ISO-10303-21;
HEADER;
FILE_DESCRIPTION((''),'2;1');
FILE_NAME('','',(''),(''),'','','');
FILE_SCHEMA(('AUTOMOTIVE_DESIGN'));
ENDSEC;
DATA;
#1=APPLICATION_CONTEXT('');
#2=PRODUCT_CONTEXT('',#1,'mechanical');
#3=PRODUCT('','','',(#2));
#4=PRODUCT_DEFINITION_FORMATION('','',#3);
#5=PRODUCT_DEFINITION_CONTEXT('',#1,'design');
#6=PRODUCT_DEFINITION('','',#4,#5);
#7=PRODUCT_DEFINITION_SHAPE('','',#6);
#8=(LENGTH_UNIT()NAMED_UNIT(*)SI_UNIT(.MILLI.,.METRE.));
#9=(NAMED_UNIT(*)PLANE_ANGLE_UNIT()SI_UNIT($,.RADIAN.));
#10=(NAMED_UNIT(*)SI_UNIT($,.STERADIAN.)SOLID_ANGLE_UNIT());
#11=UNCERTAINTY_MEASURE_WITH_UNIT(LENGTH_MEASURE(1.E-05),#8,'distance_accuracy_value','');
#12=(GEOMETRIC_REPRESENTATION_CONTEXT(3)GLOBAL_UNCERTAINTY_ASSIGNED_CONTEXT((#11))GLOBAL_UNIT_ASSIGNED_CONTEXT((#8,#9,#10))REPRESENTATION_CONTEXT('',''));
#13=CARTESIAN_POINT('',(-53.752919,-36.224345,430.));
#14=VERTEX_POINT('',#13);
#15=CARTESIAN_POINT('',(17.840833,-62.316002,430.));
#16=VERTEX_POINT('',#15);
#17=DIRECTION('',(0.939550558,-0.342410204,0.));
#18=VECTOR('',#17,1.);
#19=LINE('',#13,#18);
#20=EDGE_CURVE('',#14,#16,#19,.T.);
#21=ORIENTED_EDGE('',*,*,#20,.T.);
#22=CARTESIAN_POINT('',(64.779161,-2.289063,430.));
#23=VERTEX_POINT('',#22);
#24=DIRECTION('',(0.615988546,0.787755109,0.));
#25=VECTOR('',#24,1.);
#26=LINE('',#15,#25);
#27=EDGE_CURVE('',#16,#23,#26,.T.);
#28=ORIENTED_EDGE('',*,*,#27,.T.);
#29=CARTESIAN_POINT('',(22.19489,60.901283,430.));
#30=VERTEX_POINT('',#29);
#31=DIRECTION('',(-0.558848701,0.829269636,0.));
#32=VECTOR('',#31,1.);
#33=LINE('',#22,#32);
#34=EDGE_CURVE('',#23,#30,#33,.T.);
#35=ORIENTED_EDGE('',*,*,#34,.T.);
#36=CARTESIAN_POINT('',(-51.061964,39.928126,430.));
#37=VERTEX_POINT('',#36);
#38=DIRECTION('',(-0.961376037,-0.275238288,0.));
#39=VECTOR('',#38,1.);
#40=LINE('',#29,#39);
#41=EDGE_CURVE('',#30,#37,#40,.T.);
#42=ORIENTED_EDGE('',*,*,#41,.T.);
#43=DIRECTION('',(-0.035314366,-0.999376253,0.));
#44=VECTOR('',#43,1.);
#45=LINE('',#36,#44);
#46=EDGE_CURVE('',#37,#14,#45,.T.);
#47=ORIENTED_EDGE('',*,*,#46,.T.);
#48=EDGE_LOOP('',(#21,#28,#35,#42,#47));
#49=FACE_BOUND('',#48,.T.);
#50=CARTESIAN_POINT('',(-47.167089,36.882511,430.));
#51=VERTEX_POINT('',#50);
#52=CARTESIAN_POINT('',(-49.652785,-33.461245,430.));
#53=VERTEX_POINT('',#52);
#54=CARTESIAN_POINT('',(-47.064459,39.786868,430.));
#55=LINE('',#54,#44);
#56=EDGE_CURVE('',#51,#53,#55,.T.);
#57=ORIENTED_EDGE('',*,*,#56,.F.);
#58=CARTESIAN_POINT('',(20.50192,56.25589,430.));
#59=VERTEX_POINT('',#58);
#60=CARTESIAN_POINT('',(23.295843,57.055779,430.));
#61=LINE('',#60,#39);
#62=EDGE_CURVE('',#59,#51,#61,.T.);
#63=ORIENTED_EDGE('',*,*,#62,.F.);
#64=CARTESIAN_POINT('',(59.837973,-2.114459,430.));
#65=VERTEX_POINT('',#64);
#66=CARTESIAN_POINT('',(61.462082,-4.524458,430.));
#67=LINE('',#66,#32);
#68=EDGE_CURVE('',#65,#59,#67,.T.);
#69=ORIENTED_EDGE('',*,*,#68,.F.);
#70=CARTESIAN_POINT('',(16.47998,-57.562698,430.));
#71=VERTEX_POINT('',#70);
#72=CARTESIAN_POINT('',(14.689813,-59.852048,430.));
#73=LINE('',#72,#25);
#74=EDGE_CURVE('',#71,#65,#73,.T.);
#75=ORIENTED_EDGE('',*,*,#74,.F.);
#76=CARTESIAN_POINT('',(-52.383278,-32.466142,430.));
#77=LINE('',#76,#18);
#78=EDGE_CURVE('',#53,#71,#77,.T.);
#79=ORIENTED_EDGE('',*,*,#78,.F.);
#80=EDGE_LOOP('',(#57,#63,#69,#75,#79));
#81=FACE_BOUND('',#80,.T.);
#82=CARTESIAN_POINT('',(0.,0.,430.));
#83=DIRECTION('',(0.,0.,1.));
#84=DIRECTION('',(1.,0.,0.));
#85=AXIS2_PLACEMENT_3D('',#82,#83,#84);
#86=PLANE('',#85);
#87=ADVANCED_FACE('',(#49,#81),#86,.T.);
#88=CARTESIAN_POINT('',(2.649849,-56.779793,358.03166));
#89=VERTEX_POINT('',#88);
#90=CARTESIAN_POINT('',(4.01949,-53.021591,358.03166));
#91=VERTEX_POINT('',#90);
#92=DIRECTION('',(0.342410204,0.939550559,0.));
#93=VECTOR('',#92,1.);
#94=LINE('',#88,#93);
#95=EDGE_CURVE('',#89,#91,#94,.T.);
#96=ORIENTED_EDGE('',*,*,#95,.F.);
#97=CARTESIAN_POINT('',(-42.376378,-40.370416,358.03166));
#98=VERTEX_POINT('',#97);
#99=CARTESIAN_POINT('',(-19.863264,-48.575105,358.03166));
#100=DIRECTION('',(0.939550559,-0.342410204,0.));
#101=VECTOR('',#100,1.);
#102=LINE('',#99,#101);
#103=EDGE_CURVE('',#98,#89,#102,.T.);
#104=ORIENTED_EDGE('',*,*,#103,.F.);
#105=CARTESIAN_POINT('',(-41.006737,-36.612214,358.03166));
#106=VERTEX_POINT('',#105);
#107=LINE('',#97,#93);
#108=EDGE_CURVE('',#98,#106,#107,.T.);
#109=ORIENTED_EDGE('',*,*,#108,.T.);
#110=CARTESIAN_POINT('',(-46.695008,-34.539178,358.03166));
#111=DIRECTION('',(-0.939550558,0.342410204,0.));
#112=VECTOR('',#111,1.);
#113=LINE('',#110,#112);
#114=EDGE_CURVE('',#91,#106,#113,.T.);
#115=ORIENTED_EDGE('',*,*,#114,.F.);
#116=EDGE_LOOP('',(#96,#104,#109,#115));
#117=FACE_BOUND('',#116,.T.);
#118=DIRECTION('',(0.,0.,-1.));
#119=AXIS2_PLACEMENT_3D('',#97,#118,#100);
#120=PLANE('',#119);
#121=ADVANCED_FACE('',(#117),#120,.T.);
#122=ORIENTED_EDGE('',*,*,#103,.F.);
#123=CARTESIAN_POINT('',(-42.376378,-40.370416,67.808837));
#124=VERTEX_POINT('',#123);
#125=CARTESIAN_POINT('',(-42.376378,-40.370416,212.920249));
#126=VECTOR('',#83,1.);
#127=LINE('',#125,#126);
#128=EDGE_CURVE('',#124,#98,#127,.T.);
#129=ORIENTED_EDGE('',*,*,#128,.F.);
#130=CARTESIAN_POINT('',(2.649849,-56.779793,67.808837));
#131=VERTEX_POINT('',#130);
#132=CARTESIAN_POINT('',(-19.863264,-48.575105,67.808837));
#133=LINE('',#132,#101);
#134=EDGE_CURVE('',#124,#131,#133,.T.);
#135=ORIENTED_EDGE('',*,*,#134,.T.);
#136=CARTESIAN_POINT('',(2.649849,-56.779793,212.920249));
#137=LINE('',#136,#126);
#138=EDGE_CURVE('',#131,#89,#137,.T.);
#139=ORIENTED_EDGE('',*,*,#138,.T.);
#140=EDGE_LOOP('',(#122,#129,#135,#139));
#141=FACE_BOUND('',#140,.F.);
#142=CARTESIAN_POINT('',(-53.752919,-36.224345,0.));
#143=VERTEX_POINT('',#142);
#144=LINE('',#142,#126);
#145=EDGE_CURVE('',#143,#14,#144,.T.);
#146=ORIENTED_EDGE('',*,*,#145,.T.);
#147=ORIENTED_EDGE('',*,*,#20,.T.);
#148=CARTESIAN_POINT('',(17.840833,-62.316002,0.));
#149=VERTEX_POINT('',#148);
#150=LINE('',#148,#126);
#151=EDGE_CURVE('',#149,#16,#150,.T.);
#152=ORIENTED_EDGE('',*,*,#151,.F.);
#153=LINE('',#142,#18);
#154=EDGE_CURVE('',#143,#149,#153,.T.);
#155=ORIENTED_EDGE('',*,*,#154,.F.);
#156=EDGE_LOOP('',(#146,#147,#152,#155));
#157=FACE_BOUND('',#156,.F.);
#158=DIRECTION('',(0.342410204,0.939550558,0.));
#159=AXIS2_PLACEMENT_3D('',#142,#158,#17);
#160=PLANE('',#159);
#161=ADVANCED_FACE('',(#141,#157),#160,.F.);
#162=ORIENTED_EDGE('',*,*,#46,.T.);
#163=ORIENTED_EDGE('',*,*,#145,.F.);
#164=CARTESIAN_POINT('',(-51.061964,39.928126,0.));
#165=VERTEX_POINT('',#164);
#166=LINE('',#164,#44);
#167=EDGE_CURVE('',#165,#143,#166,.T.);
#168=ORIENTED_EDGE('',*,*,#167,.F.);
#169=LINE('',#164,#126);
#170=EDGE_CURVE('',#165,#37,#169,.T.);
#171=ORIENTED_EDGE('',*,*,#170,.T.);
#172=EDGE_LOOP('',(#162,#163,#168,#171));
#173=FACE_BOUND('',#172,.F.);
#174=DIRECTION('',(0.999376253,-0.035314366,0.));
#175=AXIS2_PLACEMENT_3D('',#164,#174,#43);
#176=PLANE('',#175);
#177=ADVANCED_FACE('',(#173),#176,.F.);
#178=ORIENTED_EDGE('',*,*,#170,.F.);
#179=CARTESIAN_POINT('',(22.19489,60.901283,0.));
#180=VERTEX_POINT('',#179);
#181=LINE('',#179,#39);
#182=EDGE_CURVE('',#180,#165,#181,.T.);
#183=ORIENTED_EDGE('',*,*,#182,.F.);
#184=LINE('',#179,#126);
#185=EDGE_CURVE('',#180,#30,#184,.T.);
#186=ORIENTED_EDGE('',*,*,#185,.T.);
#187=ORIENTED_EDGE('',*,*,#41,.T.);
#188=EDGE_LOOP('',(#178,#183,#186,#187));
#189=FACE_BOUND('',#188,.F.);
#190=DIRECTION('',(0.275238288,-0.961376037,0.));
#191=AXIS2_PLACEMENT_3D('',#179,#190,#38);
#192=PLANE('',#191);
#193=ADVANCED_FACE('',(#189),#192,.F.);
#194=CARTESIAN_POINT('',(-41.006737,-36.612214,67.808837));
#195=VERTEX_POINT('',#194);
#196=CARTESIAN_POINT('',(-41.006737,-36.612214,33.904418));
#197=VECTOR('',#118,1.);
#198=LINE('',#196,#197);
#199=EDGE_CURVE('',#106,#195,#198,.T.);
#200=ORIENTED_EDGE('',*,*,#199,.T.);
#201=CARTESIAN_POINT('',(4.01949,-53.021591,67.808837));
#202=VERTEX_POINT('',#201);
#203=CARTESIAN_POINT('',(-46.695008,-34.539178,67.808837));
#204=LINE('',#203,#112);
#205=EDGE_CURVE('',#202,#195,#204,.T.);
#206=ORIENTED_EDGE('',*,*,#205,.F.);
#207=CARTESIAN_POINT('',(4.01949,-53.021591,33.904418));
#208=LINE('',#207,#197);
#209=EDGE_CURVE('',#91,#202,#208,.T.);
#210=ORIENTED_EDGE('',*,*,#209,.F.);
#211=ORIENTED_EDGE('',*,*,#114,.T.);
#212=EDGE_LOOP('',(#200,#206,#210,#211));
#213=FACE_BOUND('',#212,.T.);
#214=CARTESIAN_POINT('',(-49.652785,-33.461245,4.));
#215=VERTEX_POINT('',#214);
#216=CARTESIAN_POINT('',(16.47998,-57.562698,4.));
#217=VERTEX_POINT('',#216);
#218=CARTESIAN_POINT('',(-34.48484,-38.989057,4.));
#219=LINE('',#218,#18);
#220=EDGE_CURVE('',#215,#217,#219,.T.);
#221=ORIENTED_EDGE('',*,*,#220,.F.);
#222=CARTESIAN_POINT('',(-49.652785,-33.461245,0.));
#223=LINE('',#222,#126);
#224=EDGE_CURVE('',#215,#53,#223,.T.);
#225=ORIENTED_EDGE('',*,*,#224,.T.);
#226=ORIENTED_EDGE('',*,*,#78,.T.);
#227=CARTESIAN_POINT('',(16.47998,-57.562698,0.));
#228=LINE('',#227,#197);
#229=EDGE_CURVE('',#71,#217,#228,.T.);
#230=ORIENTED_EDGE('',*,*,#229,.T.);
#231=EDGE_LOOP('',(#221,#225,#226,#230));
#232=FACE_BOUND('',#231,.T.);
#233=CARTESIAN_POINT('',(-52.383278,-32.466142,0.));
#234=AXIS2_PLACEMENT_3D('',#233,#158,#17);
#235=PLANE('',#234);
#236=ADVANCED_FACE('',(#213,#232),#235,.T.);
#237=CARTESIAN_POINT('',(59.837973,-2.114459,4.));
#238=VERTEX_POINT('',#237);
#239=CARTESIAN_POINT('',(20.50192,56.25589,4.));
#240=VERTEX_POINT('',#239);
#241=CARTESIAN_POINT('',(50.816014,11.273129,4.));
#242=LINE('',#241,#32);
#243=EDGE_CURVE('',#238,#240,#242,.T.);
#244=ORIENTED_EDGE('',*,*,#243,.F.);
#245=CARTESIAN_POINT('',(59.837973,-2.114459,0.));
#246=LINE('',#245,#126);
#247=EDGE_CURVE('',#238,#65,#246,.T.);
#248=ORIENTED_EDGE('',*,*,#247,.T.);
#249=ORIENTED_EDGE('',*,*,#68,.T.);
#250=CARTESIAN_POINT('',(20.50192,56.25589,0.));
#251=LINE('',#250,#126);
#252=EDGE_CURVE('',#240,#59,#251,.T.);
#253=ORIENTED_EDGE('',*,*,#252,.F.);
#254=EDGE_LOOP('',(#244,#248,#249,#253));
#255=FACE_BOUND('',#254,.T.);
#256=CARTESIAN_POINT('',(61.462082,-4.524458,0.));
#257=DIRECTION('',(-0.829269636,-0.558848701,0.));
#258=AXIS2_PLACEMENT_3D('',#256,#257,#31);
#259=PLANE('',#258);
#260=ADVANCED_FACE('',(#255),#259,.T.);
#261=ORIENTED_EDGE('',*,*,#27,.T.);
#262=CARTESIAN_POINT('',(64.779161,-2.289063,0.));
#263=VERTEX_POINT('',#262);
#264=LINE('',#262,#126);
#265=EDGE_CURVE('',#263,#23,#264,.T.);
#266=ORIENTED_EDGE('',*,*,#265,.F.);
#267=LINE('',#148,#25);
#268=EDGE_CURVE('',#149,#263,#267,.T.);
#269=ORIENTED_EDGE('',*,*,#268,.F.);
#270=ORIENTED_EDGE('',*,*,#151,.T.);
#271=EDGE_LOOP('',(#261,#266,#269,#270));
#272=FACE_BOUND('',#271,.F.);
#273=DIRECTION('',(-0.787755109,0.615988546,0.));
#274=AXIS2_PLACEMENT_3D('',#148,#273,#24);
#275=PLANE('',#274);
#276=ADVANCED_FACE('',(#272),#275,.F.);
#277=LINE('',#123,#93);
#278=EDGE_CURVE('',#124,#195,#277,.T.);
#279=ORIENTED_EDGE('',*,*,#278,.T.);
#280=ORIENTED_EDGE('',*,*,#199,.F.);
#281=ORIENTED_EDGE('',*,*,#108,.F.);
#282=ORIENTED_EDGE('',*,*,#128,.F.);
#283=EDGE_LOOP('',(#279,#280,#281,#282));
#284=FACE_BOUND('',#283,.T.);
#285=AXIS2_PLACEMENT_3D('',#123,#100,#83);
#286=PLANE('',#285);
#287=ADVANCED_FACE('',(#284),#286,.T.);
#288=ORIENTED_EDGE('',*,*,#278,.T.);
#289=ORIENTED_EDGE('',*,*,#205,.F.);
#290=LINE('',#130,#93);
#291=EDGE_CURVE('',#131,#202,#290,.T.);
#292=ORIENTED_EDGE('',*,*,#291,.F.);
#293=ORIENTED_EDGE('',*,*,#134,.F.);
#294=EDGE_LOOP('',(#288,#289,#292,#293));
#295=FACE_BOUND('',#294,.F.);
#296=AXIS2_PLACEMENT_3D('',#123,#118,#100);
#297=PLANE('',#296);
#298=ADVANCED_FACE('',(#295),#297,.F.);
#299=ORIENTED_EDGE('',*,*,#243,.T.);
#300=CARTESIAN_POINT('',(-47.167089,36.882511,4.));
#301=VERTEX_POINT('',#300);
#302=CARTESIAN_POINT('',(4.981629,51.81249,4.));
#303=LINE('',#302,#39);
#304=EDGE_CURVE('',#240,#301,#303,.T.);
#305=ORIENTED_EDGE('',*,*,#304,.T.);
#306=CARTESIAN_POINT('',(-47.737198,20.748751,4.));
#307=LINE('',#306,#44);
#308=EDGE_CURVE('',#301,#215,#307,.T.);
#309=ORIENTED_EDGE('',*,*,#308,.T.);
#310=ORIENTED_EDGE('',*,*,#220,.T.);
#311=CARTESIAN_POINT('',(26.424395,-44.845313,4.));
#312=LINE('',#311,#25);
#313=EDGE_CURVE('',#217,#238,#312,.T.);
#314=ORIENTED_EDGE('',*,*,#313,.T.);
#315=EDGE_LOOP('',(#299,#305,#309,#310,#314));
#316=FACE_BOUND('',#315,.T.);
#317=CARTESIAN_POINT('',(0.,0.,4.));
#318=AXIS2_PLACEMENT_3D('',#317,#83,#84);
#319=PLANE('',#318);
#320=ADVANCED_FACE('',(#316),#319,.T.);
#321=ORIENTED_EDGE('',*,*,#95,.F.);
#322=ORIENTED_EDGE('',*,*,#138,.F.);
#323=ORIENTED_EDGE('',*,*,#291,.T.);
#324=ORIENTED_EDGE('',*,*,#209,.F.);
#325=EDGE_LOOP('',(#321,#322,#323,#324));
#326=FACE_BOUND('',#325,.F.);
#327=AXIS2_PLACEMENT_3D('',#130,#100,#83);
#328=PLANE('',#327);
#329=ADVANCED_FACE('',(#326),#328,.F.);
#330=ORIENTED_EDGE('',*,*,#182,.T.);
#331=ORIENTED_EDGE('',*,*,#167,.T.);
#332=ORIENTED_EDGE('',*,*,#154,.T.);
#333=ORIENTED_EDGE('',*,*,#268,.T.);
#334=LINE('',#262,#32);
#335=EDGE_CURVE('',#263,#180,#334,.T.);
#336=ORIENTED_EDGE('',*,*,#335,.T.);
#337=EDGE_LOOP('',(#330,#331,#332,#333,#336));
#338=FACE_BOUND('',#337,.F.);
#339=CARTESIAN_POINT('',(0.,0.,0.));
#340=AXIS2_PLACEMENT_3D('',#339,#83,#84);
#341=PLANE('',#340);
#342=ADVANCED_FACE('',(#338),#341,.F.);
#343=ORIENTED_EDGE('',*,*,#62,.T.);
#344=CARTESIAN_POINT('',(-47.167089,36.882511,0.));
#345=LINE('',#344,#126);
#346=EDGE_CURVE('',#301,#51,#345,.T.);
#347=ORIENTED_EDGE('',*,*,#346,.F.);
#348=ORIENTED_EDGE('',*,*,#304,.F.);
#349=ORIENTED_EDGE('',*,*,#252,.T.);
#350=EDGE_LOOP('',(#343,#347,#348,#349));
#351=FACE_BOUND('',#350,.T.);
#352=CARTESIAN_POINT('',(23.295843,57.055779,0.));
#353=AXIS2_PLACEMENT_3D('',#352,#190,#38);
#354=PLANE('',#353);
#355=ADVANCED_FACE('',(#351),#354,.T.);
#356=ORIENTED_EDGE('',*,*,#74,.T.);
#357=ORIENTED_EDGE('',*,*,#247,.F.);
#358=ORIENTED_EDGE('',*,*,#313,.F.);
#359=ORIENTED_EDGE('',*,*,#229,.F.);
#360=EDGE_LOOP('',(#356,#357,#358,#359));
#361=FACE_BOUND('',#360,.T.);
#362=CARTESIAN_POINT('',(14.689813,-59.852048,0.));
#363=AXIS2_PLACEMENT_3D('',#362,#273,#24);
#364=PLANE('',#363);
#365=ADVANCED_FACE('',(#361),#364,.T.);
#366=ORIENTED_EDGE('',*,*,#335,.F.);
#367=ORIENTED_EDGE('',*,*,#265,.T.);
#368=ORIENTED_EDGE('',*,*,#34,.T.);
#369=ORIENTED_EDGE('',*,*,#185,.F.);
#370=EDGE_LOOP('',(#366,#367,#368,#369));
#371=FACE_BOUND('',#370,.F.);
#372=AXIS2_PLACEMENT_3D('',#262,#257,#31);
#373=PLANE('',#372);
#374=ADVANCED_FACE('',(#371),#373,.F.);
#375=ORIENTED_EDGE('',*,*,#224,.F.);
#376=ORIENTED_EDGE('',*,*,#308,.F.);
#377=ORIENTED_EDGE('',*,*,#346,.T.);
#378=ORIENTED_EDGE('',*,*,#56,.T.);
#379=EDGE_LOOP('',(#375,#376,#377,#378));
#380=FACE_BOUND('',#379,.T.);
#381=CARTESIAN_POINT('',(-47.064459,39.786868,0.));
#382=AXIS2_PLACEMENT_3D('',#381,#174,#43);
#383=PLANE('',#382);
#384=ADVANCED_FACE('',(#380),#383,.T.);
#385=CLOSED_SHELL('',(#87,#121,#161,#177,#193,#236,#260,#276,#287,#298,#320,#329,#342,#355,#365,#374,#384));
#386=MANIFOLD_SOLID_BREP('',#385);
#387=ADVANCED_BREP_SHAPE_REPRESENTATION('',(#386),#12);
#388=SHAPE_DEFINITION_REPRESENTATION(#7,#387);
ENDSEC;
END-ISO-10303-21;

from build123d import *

# Parameters (mm, degrees)
F1_DEPTH = 430
F2_T     = -4
F3_W     = 47.923155129
F3_H     = 290.2228236198
F4_DEPTH = 12.7


with BuildPart() as f1:
    # F0 (on Top) → F1 (new body)
    with BuildSketch(Plane.XY):
        Polygon((17.8408334003, -62.3160021047), (64.7791605856, -2.2890628103), (22.1948896043, 60.9012834855), (-51.0619644336, 39.9281259628), (-53.7529191566, -36.2243445334), align=None)
    extrude(amount=F1_DEPTH)

    # F2
    f2_openings = [f1.faces().sort_by_distance(p)[0] for p in [
        (0, 0, 430),
    ]]
    offset(amount=F2_T, openings=f2_openings)

    # F3 (on face) → F4 (cut)
    with BuildSketch(Plane(origin=(-17.9560428781, -49.270173319, 0), x_dir=(0.9395505585, -0.3424102043, 0), z_dir=(-0.3424102043, -0.9395505585, 0))):
        with Locations((-2.0299293101, 212.9202485085)):
            Rectangle(F3_W, F3_H)
    extrude(amount=-F4_DEPTH, mode=Mode.SUBTRACT)


solid = f1.part
